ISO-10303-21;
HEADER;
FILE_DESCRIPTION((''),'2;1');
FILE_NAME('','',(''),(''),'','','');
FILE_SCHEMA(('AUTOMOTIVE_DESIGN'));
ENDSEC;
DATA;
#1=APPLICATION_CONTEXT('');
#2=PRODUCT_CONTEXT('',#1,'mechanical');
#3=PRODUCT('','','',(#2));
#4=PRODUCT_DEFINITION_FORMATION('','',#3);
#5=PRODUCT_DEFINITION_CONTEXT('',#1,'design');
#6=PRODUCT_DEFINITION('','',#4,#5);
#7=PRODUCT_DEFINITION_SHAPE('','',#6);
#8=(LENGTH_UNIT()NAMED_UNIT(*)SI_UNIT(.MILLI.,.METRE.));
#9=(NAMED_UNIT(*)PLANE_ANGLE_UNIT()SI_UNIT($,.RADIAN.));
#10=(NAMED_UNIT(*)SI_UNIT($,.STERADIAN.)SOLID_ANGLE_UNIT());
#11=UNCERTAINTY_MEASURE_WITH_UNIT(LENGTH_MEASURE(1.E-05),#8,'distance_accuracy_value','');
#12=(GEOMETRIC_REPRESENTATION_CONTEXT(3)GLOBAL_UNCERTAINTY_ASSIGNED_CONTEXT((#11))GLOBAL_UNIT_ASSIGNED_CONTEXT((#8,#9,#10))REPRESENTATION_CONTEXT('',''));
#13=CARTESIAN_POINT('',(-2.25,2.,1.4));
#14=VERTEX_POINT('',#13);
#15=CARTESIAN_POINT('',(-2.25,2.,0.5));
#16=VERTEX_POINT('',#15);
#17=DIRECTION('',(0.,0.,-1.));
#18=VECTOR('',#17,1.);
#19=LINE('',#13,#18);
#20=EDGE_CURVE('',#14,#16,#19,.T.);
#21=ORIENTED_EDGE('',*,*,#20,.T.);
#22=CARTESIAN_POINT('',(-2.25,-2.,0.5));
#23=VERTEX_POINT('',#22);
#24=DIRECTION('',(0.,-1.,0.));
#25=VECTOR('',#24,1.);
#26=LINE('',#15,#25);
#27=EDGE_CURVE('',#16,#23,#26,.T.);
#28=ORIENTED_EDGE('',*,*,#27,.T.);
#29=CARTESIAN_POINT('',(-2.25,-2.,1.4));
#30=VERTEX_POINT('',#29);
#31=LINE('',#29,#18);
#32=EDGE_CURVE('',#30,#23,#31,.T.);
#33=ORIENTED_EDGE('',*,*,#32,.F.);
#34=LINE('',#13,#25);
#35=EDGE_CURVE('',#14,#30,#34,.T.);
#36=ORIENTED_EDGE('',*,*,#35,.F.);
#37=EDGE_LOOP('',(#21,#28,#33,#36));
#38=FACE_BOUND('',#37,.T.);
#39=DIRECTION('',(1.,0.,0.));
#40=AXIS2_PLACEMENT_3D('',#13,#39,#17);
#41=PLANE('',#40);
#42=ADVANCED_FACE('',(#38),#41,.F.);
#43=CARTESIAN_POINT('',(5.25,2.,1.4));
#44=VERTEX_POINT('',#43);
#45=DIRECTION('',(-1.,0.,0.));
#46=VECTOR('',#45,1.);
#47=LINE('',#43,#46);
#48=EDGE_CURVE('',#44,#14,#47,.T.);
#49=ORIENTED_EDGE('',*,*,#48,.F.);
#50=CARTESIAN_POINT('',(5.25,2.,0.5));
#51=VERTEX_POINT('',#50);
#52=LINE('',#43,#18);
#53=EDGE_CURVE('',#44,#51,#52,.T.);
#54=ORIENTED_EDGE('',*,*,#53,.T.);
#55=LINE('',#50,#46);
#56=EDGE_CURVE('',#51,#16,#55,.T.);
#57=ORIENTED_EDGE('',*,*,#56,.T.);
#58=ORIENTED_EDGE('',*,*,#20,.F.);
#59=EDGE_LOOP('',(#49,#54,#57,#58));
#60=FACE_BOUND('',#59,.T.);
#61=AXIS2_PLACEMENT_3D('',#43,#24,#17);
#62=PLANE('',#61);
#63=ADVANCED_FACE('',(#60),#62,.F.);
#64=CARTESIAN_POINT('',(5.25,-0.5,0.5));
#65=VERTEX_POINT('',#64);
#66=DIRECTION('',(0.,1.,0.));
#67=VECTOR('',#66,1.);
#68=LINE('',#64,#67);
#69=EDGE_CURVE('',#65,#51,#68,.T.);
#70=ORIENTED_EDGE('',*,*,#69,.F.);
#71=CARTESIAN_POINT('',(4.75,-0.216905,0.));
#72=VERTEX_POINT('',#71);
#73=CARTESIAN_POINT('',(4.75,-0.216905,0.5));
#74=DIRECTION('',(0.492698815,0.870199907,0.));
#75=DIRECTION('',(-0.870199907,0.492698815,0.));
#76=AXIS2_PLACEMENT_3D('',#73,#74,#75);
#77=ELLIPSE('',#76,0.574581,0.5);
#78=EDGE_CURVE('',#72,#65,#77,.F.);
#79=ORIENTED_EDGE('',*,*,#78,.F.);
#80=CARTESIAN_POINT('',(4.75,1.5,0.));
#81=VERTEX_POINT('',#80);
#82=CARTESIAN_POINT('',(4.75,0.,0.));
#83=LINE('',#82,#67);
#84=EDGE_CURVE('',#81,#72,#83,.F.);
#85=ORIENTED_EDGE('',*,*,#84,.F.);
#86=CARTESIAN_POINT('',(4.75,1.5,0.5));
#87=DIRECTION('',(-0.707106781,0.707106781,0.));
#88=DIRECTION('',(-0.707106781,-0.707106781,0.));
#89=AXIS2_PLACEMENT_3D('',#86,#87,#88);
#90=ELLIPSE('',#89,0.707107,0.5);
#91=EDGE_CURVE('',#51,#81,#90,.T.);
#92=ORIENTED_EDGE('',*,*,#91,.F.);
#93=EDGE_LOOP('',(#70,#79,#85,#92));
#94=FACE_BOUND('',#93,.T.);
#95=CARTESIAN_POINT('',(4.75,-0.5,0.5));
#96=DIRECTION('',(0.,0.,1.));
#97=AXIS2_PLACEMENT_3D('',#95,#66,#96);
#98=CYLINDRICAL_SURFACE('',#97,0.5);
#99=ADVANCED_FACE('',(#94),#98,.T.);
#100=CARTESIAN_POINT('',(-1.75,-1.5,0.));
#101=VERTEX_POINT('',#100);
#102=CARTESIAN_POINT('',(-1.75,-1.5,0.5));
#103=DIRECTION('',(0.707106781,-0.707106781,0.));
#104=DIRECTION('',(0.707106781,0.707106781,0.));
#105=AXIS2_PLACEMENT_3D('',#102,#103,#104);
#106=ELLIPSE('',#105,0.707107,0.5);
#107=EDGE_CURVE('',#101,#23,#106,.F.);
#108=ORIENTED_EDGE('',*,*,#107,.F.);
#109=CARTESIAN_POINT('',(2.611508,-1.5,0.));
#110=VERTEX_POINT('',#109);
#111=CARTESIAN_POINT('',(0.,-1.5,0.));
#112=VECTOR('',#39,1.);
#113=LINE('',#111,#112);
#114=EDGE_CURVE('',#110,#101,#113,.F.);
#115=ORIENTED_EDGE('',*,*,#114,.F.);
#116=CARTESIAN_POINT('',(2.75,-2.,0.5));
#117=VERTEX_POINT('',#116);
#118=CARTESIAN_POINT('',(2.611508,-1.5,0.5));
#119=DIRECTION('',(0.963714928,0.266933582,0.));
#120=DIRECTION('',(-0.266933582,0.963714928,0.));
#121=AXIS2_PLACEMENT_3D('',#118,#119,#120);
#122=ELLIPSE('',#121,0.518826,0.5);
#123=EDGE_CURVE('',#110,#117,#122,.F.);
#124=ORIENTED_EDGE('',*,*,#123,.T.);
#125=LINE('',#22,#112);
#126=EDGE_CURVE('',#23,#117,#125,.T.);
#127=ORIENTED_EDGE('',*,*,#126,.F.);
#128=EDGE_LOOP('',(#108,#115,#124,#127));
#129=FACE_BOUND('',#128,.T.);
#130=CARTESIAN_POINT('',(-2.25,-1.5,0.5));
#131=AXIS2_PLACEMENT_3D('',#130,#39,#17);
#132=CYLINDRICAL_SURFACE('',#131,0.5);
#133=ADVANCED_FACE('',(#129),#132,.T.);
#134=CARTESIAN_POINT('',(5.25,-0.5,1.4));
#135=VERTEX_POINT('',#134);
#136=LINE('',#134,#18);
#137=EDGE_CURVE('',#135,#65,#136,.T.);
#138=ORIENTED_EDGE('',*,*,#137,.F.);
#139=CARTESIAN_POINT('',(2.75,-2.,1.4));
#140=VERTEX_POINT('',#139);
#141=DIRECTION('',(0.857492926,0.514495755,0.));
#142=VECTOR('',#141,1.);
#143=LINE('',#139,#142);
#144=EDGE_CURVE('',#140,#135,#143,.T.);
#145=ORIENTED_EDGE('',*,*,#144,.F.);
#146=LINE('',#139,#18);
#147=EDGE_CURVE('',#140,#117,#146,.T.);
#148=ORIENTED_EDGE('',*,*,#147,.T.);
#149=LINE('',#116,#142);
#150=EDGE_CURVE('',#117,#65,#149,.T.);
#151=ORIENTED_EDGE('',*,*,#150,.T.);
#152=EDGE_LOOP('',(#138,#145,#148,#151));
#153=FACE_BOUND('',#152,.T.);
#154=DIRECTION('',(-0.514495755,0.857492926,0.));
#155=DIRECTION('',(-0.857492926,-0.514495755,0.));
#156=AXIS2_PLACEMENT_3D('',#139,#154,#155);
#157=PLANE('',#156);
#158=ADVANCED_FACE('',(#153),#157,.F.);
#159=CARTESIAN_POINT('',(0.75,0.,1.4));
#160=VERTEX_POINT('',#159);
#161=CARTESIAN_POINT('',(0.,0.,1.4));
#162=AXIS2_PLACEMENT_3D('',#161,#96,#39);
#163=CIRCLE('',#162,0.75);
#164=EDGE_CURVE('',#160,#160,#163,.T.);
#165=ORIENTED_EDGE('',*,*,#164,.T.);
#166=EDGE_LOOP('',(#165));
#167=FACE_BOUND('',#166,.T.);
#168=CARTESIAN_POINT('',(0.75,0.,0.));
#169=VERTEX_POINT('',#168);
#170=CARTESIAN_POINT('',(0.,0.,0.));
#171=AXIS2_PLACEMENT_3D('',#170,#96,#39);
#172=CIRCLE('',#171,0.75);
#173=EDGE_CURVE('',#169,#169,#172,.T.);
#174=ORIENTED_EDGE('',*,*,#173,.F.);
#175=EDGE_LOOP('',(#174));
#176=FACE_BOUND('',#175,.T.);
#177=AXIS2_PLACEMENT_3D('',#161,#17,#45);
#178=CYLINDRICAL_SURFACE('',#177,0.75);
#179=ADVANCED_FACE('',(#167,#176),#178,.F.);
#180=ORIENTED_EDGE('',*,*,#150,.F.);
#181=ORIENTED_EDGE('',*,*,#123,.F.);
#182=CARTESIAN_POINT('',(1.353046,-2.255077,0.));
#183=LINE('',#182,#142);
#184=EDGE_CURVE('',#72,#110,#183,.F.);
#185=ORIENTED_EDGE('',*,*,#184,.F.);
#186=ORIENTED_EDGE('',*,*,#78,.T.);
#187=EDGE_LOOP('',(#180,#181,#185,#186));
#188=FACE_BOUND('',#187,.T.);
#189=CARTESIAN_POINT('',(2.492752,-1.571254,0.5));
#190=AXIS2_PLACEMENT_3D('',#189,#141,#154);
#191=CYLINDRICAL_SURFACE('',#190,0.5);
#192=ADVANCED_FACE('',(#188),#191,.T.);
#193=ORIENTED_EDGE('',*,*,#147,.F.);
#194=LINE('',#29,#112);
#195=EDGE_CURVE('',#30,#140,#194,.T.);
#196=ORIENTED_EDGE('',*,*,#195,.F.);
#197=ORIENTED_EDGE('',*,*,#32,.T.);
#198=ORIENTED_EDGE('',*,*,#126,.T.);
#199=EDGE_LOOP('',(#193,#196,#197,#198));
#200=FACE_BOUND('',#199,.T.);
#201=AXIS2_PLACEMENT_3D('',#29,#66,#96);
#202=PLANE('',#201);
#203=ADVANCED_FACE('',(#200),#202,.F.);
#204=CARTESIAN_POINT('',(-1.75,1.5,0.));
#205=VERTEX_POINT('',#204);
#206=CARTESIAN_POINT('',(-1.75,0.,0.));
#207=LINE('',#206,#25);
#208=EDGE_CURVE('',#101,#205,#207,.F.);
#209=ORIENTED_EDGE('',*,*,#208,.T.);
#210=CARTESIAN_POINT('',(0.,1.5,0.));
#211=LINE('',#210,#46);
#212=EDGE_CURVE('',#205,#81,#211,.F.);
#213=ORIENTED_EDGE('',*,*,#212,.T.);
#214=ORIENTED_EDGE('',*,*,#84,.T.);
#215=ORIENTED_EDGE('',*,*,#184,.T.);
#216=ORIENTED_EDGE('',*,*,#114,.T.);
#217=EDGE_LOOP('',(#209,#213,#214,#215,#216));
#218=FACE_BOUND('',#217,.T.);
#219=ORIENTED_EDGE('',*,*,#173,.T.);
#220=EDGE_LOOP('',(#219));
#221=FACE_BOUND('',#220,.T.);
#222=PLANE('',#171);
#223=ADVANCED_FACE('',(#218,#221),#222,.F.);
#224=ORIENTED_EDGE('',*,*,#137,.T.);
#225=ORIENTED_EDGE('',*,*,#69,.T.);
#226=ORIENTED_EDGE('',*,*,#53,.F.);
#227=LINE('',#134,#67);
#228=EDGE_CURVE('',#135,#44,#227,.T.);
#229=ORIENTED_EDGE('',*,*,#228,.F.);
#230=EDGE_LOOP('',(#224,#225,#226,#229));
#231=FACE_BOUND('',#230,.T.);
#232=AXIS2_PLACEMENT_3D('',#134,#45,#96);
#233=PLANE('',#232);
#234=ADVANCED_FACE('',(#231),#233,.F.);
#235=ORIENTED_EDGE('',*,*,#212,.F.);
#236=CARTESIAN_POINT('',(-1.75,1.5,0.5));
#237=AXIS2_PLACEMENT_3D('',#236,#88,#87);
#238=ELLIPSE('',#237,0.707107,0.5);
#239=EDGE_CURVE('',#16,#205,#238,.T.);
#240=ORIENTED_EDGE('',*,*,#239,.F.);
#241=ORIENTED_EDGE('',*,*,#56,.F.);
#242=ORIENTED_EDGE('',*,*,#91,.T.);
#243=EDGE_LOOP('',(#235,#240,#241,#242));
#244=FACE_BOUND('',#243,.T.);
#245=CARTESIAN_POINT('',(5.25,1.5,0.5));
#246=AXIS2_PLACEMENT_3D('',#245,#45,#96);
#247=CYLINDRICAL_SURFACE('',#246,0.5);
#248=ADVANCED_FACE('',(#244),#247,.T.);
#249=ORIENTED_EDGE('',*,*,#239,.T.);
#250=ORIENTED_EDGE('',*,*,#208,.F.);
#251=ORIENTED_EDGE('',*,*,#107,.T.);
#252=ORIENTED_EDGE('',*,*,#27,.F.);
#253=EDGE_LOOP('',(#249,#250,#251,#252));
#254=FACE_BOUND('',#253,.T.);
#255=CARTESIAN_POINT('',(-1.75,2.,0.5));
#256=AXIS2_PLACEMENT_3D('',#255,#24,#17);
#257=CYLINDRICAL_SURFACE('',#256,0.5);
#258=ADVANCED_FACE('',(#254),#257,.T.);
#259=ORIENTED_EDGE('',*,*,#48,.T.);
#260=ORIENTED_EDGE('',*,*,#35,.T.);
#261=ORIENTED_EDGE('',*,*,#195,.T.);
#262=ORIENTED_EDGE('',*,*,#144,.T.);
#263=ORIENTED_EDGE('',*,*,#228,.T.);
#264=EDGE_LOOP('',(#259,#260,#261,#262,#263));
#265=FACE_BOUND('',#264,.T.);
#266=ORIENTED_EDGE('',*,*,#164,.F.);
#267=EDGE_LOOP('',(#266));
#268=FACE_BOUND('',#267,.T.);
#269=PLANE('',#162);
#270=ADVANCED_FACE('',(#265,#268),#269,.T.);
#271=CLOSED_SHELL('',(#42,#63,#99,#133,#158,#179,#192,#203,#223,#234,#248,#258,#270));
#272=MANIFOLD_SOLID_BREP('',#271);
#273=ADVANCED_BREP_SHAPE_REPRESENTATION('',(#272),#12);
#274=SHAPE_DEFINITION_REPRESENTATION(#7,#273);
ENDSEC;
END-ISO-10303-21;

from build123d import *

# Parameters (mm, degrees)
SKETCH1_R           = 0.75
BOSS_EXTRUDE1_DEPTH = 1.4
FILLET1_R           = 0.5


with BuildPart() as part:
    # Sketch1 → Boss-Extrude1 (new body)
    with BuildSketch(Plane.XY):
        Polygon((-2.25, 2), (-2.25, -2), (2.75, -2), (5.25, -0.5), (5.25, 2), align=None)
        Circle(SKETCH1_R, mode=Mode.SUBTRACT)
    extrude(amount=BOSS_EXTRUDE1_DEPTH)

    # Fillet1
    fillet1_edges = [part.edges().sort_by_distance(p)[0] for p in [
        (5.25, 0.75, 0),
        (4, -1.25, 0),
        (0.25, -2, 0),
        (-2.25, 0, 0),
        (1.5, 2, 0),
    ]]
    fillet(fillet1_edges, radius=FILLET1_R)


solid = part.part
